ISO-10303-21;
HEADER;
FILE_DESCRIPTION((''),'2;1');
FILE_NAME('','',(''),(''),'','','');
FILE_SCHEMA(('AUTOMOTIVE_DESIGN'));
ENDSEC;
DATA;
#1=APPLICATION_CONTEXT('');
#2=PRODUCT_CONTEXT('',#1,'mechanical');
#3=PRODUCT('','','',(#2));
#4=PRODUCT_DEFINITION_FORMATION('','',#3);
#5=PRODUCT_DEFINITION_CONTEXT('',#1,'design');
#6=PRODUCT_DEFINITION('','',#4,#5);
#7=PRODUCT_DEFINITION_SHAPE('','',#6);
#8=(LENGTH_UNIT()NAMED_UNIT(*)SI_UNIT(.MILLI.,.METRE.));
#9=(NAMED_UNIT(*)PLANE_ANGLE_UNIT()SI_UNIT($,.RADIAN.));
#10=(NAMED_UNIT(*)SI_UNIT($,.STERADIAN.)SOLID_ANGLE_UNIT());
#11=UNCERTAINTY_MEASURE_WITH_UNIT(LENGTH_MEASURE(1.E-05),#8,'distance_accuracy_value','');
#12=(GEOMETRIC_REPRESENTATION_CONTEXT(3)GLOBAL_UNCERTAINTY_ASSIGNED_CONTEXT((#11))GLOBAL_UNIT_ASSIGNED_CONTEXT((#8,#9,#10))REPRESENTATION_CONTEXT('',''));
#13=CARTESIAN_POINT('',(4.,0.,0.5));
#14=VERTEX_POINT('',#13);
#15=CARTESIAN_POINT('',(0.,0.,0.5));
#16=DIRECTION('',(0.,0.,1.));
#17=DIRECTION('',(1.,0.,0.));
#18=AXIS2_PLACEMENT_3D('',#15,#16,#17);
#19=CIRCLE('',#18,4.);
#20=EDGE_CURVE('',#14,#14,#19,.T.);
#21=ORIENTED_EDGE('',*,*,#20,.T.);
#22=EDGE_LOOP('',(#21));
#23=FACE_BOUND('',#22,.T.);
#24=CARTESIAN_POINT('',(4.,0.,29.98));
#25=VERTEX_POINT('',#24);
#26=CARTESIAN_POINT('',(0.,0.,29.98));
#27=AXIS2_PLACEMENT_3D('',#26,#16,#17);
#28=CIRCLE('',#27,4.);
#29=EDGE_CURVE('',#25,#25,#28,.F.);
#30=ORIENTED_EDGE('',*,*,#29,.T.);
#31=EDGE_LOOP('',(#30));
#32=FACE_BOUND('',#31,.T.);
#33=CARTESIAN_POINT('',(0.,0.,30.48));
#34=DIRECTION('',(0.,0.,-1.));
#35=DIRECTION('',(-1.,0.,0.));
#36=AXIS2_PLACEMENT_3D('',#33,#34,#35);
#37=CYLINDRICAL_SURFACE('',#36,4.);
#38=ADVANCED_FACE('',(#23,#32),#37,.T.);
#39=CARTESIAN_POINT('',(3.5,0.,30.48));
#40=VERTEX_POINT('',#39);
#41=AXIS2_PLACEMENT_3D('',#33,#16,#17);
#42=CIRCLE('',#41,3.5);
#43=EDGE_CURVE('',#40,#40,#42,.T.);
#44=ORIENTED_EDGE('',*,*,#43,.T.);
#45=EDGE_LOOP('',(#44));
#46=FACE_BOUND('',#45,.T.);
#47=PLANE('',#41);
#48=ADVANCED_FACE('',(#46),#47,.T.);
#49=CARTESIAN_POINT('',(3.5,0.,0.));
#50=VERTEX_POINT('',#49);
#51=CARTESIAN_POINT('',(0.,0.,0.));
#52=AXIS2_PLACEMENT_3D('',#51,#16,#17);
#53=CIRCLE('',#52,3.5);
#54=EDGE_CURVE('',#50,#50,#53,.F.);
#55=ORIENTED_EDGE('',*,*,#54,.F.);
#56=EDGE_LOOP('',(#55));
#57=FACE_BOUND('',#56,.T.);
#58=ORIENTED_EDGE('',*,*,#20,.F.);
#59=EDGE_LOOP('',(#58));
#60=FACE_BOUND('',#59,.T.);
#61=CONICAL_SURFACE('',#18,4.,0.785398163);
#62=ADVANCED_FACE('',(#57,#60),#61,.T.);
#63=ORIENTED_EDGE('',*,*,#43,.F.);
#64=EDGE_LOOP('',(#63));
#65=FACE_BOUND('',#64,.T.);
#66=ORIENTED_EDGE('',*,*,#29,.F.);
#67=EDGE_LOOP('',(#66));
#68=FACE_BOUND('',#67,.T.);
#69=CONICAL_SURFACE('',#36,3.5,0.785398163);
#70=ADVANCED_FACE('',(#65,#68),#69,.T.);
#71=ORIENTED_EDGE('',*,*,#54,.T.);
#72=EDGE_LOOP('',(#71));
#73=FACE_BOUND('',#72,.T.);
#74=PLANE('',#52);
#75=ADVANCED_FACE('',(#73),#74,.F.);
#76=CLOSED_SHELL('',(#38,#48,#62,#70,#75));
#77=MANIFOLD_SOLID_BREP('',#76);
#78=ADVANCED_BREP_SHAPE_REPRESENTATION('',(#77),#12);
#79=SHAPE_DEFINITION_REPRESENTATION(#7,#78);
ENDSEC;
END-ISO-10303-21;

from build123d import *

# Parameters (mm, degrees)
SKETCH1_R           = 4
BOSS_EXTRUDE1_DEPTH = 30.48
CHAMFER1_SIZE       = 0.5


with BuildPart() as part:
    # Sketch1 → Boss-Extrude1 (new body)
    with BuildSketch(Plane.XY):
        Circle(SKETCH1_R)
    extrude(amount=BOSS_EXTRUDE1_DEPTH)

    # Chamfer1
    chamfer1_edges = [part.edges().sort_by_distance(p)[0] for p in [
        (-4, 0, 0),
        (-4, 0, 30.48),
    ]]
    chamfer(chamfer1_edges, length=CHAMFER1_SIZE)


solid = part.part
